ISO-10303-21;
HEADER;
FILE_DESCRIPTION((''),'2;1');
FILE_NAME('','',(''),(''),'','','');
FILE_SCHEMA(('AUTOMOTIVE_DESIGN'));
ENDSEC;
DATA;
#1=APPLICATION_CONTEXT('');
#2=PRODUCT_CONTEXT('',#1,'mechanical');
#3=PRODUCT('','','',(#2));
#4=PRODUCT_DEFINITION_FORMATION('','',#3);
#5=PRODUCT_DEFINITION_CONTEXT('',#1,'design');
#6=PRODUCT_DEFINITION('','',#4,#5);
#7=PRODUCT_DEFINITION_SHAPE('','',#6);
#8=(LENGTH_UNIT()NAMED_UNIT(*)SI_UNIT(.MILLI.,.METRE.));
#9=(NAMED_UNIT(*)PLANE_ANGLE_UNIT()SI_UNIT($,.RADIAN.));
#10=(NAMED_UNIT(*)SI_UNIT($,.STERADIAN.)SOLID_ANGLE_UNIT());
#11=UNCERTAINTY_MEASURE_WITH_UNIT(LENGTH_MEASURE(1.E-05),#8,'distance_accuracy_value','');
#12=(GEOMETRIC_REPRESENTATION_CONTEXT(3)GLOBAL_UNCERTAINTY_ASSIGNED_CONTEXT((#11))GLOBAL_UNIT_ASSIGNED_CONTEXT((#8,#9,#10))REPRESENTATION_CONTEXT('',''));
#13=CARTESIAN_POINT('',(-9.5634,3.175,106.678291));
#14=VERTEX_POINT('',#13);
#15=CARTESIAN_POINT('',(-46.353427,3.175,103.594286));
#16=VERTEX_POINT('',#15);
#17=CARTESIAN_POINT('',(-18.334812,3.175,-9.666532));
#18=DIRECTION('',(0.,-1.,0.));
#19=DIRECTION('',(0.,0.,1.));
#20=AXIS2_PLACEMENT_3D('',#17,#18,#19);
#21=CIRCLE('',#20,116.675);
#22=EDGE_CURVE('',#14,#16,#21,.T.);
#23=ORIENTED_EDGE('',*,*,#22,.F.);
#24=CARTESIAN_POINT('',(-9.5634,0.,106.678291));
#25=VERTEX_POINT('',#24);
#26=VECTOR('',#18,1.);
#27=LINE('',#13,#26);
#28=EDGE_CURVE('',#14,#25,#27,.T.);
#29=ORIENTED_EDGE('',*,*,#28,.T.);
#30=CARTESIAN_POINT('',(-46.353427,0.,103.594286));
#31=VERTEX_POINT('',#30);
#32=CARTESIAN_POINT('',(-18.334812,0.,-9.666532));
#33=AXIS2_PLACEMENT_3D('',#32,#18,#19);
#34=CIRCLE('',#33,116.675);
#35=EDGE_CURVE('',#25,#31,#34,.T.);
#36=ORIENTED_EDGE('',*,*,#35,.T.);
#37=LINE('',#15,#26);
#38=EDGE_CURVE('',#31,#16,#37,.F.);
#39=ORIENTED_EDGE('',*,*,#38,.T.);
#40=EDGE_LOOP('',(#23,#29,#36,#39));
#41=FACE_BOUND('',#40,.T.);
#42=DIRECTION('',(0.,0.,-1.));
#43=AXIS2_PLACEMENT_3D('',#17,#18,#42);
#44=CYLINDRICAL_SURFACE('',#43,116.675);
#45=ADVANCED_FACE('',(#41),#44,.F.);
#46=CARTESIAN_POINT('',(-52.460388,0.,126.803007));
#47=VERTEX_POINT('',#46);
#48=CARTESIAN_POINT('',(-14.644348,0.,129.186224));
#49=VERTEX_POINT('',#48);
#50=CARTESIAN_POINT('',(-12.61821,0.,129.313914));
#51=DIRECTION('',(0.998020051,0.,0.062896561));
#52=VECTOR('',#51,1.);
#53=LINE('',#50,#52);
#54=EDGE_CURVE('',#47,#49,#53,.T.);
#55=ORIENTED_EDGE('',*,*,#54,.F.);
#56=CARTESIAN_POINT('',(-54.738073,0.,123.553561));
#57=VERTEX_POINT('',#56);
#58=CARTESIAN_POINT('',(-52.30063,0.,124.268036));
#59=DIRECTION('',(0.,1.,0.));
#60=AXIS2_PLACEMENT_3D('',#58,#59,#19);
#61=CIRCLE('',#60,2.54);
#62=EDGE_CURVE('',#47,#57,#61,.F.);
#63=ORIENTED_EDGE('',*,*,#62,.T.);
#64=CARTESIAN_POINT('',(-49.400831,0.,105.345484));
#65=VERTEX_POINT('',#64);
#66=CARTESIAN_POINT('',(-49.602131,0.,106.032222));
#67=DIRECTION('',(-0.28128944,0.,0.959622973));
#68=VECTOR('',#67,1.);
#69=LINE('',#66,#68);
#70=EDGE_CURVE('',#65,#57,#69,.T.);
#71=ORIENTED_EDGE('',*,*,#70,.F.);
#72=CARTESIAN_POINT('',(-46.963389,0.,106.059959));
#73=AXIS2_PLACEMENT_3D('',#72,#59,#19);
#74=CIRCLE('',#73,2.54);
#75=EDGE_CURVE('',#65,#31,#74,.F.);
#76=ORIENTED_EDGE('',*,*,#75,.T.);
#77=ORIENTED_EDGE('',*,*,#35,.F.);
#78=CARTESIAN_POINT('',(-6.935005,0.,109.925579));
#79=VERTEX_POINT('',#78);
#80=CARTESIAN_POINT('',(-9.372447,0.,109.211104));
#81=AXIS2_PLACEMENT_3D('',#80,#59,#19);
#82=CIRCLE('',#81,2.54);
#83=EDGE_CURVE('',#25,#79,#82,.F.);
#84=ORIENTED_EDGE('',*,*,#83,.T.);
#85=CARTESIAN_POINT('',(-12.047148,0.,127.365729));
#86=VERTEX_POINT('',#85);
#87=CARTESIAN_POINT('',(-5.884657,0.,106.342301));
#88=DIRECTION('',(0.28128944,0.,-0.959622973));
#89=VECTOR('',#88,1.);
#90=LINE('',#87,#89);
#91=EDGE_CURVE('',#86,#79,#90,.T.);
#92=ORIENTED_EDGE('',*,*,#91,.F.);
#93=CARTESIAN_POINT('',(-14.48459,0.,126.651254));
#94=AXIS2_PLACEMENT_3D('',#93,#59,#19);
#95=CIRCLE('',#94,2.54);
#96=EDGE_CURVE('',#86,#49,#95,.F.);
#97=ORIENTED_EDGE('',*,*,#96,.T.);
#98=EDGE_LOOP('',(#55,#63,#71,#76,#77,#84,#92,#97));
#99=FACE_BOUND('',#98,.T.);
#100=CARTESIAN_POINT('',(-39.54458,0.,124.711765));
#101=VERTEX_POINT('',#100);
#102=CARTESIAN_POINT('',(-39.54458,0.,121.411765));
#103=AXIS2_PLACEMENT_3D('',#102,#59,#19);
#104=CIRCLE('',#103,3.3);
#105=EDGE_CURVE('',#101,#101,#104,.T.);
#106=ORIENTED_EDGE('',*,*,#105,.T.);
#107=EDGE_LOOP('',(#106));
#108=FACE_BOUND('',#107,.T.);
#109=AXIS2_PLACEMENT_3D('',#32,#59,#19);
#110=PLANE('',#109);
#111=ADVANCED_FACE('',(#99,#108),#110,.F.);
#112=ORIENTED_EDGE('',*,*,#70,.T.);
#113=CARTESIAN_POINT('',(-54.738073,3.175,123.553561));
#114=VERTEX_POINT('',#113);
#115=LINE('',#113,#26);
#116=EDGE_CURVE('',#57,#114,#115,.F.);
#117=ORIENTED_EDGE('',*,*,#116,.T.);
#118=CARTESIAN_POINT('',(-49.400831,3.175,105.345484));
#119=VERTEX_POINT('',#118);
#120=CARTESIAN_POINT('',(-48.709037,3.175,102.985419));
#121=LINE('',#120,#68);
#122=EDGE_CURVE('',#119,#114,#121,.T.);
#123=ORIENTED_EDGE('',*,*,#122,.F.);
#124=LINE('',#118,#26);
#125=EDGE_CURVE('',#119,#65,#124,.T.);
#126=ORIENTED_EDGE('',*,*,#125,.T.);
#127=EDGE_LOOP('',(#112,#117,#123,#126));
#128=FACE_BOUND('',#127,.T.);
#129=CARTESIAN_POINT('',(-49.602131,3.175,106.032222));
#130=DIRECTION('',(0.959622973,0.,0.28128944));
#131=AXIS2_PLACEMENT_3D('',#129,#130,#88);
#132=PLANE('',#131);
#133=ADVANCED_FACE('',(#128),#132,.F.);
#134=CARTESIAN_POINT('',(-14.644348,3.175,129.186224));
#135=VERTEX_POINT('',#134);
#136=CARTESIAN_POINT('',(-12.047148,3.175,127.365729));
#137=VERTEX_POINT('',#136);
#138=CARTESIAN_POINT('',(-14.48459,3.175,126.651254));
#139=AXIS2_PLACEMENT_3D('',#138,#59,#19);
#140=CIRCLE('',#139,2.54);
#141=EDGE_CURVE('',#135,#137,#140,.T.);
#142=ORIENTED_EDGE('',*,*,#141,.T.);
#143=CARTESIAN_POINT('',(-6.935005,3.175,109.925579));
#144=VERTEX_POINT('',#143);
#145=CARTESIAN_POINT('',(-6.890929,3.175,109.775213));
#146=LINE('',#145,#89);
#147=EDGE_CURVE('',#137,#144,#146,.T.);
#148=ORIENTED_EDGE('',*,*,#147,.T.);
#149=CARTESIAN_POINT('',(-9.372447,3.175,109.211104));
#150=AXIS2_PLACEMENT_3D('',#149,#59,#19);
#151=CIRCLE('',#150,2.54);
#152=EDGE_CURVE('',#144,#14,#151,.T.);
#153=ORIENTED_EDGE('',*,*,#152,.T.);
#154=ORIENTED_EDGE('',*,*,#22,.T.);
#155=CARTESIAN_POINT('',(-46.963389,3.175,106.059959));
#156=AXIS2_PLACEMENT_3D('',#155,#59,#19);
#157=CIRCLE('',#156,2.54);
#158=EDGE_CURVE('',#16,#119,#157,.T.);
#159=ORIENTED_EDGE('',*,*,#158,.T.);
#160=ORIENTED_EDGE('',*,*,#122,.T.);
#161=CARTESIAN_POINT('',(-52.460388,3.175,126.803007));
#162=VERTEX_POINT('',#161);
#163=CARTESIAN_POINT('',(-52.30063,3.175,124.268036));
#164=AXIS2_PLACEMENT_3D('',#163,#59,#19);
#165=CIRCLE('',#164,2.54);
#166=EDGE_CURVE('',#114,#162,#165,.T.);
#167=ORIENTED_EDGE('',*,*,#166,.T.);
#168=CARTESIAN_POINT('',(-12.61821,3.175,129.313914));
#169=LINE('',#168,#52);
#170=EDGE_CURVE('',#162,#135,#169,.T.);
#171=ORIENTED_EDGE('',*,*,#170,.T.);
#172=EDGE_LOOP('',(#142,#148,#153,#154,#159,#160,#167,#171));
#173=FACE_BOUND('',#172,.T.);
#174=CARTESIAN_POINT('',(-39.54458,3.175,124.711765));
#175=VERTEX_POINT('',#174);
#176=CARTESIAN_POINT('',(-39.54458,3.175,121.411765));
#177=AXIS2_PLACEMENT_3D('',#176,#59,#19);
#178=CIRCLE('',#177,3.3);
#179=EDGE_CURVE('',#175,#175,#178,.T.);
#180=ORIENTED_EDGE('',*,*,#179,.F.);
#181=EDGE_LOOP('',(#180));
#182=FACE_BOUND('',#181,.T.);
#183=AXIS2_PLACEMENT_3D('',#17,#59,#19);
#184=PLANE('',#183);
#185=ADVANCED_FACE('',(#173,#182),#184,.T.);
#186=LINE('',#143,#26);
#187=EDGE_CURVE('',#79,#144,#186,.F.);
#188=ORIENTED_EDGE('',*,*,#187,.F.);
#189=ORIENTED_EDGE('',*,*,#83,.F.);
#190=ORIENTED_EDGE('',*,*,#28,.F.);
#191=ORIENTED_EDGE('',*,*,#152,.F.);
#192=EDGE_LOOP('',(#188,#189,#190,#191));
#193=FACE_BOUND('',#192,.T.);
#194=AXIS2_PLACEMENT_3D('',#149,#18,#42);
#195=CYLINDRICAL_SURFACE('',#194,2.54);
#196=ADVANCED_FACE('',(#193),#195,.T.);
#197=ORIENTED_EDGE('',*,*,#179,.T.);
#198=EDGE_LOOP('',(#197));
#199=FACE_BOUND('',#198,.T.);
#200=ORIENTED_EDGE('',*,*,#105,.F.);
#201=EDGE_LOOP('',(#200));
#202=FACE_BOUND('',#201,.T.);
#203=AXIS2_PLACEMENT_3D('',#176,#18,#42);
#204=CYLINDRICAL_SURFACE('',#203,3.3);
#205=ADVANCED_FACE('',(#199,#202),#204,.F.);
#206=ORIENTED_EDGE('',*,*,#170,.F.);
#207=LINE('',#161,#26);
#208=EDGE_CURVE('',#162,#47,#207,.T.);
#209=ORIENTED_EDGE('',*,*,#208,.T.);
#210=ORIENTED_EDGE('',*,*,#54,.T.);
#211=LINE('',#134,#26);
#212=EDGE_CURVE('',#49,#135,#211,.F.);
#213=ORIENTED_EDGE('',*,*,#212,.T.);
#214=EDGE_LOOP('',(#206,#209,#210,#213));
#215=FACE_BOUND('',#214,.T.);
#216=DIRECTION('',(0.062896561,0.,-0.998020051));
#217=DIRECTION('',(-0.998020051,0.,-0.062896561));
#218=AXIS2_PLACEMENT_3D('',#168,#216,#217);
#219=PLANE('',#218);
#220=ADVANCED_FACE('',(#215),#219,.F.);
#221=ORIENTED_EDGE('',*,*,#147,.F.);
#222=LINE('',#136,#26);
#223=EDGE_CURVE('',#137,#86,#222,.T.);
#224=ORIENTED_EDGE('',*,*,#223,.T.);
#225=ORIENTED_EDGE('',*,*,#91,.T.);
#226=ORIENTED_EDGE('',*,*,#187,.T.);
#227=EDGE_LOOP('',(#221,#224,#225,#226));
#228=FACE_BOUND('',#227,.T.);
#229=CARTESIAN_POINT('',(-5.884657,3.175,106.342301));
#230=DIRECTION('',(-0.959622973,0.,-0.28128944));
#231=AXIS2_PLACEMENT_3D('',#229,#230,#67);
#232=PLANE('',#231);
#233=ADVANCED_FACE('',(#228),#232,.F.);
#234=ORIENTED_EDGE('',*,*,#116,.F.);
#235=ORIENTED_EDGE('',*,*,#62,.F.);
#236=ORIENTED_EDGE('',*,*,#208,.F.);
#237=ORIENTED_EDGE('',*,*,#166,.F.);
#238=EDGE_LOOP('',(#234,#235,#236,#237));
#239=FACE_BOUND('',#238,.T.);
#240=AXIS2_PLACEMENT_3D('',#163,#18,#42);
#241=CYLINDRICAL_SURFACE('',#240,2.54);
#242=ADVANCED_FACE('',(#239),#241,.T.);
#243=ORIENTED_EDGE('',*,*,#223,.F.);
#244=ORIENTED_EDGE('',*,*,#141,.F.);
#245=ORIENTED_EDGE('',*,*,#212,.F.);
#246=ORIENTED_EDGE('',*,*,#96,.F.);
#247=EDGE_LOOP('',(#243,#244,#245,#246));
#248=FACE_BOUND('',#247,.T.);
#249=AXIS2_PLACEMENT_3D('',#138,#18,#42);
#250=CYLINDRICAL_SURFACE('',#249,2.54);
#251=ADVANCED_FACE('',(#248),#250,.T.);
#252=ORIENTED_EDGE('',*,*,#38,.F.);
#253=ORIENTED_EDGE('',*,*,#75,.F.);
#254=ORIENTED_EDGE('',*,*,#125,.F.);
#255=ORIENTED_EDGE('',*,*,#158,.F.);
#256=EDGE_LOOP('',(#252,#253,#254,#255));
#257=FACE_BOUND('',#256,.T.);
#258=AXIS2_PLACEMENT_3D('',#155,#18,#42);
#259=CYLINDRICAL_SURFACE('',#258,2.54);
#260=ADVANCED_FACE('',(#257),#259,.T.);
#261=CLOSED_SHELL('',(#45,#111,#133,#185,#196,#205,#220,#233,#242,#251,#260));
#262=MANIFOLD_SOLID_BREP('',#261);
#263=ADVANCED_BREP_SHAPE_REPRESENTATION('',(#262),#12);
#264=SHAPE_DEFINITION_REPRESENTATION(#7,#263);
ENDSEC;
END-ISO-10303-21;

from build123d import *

# Parameters (mm, degrees)
SKETCH1_R           = 3.3
BOSS_EXTRUDE1_DEPTH = 3.175
FILLET1_R           = 2.54


with BuildPart() as part:
    # Sketch1 → Boss-Extrude1 (new body)
    with BuildSketch(Plane(origin=(0, 0, 0), x_dir=(1, 0, 0), z_dir=(0, 1, 0))):
        with BuildLine():
            Line((-48.70903707, -102.985419006), (-49.602131042, -106.032221946))
            Line((-49.602131042, -106.032221946), (-55.631977257, -126.603129099))
            Line((-55.631977257, -126.603129099), (-12.618209883, -129.313914375))
            Line((-12.618209883, -129.313914375), (-6.890929076, -109.775213464))
            Line((-6.890929076, -109.775213464), (-5.88465666, -106.342300635))
            ThreePointArc((-5.88465666, -106.342300635), (-27.452664405, -106.651653953), (-48.70903707, -102.985419006))
        make_face()
        with Locations(Location((-39.544579652, -121.411764721, 0), (0, 0, 270))):
            Circle(SKETCH1_R, mode=Mode.SUBTRACT)
    extrude(amount=BOSS_EXTRUDE1_DEPTH)

    # Fillet1
    fillet1_edges = [part.edges().sort_by_distance(p)[0] for p in [
        (-5.88465666, 1.5875, 106.342300635),
        (-12.618209883, 1.5875, 129.313914375),
        (-55.631977257, 1.5875, 126.603129099),
        (-48.70903707, 1.5875, 102.985419006),
    ]]
    fillet(fillet1_edges, radius=FILLET1_R)


solid = part.part
